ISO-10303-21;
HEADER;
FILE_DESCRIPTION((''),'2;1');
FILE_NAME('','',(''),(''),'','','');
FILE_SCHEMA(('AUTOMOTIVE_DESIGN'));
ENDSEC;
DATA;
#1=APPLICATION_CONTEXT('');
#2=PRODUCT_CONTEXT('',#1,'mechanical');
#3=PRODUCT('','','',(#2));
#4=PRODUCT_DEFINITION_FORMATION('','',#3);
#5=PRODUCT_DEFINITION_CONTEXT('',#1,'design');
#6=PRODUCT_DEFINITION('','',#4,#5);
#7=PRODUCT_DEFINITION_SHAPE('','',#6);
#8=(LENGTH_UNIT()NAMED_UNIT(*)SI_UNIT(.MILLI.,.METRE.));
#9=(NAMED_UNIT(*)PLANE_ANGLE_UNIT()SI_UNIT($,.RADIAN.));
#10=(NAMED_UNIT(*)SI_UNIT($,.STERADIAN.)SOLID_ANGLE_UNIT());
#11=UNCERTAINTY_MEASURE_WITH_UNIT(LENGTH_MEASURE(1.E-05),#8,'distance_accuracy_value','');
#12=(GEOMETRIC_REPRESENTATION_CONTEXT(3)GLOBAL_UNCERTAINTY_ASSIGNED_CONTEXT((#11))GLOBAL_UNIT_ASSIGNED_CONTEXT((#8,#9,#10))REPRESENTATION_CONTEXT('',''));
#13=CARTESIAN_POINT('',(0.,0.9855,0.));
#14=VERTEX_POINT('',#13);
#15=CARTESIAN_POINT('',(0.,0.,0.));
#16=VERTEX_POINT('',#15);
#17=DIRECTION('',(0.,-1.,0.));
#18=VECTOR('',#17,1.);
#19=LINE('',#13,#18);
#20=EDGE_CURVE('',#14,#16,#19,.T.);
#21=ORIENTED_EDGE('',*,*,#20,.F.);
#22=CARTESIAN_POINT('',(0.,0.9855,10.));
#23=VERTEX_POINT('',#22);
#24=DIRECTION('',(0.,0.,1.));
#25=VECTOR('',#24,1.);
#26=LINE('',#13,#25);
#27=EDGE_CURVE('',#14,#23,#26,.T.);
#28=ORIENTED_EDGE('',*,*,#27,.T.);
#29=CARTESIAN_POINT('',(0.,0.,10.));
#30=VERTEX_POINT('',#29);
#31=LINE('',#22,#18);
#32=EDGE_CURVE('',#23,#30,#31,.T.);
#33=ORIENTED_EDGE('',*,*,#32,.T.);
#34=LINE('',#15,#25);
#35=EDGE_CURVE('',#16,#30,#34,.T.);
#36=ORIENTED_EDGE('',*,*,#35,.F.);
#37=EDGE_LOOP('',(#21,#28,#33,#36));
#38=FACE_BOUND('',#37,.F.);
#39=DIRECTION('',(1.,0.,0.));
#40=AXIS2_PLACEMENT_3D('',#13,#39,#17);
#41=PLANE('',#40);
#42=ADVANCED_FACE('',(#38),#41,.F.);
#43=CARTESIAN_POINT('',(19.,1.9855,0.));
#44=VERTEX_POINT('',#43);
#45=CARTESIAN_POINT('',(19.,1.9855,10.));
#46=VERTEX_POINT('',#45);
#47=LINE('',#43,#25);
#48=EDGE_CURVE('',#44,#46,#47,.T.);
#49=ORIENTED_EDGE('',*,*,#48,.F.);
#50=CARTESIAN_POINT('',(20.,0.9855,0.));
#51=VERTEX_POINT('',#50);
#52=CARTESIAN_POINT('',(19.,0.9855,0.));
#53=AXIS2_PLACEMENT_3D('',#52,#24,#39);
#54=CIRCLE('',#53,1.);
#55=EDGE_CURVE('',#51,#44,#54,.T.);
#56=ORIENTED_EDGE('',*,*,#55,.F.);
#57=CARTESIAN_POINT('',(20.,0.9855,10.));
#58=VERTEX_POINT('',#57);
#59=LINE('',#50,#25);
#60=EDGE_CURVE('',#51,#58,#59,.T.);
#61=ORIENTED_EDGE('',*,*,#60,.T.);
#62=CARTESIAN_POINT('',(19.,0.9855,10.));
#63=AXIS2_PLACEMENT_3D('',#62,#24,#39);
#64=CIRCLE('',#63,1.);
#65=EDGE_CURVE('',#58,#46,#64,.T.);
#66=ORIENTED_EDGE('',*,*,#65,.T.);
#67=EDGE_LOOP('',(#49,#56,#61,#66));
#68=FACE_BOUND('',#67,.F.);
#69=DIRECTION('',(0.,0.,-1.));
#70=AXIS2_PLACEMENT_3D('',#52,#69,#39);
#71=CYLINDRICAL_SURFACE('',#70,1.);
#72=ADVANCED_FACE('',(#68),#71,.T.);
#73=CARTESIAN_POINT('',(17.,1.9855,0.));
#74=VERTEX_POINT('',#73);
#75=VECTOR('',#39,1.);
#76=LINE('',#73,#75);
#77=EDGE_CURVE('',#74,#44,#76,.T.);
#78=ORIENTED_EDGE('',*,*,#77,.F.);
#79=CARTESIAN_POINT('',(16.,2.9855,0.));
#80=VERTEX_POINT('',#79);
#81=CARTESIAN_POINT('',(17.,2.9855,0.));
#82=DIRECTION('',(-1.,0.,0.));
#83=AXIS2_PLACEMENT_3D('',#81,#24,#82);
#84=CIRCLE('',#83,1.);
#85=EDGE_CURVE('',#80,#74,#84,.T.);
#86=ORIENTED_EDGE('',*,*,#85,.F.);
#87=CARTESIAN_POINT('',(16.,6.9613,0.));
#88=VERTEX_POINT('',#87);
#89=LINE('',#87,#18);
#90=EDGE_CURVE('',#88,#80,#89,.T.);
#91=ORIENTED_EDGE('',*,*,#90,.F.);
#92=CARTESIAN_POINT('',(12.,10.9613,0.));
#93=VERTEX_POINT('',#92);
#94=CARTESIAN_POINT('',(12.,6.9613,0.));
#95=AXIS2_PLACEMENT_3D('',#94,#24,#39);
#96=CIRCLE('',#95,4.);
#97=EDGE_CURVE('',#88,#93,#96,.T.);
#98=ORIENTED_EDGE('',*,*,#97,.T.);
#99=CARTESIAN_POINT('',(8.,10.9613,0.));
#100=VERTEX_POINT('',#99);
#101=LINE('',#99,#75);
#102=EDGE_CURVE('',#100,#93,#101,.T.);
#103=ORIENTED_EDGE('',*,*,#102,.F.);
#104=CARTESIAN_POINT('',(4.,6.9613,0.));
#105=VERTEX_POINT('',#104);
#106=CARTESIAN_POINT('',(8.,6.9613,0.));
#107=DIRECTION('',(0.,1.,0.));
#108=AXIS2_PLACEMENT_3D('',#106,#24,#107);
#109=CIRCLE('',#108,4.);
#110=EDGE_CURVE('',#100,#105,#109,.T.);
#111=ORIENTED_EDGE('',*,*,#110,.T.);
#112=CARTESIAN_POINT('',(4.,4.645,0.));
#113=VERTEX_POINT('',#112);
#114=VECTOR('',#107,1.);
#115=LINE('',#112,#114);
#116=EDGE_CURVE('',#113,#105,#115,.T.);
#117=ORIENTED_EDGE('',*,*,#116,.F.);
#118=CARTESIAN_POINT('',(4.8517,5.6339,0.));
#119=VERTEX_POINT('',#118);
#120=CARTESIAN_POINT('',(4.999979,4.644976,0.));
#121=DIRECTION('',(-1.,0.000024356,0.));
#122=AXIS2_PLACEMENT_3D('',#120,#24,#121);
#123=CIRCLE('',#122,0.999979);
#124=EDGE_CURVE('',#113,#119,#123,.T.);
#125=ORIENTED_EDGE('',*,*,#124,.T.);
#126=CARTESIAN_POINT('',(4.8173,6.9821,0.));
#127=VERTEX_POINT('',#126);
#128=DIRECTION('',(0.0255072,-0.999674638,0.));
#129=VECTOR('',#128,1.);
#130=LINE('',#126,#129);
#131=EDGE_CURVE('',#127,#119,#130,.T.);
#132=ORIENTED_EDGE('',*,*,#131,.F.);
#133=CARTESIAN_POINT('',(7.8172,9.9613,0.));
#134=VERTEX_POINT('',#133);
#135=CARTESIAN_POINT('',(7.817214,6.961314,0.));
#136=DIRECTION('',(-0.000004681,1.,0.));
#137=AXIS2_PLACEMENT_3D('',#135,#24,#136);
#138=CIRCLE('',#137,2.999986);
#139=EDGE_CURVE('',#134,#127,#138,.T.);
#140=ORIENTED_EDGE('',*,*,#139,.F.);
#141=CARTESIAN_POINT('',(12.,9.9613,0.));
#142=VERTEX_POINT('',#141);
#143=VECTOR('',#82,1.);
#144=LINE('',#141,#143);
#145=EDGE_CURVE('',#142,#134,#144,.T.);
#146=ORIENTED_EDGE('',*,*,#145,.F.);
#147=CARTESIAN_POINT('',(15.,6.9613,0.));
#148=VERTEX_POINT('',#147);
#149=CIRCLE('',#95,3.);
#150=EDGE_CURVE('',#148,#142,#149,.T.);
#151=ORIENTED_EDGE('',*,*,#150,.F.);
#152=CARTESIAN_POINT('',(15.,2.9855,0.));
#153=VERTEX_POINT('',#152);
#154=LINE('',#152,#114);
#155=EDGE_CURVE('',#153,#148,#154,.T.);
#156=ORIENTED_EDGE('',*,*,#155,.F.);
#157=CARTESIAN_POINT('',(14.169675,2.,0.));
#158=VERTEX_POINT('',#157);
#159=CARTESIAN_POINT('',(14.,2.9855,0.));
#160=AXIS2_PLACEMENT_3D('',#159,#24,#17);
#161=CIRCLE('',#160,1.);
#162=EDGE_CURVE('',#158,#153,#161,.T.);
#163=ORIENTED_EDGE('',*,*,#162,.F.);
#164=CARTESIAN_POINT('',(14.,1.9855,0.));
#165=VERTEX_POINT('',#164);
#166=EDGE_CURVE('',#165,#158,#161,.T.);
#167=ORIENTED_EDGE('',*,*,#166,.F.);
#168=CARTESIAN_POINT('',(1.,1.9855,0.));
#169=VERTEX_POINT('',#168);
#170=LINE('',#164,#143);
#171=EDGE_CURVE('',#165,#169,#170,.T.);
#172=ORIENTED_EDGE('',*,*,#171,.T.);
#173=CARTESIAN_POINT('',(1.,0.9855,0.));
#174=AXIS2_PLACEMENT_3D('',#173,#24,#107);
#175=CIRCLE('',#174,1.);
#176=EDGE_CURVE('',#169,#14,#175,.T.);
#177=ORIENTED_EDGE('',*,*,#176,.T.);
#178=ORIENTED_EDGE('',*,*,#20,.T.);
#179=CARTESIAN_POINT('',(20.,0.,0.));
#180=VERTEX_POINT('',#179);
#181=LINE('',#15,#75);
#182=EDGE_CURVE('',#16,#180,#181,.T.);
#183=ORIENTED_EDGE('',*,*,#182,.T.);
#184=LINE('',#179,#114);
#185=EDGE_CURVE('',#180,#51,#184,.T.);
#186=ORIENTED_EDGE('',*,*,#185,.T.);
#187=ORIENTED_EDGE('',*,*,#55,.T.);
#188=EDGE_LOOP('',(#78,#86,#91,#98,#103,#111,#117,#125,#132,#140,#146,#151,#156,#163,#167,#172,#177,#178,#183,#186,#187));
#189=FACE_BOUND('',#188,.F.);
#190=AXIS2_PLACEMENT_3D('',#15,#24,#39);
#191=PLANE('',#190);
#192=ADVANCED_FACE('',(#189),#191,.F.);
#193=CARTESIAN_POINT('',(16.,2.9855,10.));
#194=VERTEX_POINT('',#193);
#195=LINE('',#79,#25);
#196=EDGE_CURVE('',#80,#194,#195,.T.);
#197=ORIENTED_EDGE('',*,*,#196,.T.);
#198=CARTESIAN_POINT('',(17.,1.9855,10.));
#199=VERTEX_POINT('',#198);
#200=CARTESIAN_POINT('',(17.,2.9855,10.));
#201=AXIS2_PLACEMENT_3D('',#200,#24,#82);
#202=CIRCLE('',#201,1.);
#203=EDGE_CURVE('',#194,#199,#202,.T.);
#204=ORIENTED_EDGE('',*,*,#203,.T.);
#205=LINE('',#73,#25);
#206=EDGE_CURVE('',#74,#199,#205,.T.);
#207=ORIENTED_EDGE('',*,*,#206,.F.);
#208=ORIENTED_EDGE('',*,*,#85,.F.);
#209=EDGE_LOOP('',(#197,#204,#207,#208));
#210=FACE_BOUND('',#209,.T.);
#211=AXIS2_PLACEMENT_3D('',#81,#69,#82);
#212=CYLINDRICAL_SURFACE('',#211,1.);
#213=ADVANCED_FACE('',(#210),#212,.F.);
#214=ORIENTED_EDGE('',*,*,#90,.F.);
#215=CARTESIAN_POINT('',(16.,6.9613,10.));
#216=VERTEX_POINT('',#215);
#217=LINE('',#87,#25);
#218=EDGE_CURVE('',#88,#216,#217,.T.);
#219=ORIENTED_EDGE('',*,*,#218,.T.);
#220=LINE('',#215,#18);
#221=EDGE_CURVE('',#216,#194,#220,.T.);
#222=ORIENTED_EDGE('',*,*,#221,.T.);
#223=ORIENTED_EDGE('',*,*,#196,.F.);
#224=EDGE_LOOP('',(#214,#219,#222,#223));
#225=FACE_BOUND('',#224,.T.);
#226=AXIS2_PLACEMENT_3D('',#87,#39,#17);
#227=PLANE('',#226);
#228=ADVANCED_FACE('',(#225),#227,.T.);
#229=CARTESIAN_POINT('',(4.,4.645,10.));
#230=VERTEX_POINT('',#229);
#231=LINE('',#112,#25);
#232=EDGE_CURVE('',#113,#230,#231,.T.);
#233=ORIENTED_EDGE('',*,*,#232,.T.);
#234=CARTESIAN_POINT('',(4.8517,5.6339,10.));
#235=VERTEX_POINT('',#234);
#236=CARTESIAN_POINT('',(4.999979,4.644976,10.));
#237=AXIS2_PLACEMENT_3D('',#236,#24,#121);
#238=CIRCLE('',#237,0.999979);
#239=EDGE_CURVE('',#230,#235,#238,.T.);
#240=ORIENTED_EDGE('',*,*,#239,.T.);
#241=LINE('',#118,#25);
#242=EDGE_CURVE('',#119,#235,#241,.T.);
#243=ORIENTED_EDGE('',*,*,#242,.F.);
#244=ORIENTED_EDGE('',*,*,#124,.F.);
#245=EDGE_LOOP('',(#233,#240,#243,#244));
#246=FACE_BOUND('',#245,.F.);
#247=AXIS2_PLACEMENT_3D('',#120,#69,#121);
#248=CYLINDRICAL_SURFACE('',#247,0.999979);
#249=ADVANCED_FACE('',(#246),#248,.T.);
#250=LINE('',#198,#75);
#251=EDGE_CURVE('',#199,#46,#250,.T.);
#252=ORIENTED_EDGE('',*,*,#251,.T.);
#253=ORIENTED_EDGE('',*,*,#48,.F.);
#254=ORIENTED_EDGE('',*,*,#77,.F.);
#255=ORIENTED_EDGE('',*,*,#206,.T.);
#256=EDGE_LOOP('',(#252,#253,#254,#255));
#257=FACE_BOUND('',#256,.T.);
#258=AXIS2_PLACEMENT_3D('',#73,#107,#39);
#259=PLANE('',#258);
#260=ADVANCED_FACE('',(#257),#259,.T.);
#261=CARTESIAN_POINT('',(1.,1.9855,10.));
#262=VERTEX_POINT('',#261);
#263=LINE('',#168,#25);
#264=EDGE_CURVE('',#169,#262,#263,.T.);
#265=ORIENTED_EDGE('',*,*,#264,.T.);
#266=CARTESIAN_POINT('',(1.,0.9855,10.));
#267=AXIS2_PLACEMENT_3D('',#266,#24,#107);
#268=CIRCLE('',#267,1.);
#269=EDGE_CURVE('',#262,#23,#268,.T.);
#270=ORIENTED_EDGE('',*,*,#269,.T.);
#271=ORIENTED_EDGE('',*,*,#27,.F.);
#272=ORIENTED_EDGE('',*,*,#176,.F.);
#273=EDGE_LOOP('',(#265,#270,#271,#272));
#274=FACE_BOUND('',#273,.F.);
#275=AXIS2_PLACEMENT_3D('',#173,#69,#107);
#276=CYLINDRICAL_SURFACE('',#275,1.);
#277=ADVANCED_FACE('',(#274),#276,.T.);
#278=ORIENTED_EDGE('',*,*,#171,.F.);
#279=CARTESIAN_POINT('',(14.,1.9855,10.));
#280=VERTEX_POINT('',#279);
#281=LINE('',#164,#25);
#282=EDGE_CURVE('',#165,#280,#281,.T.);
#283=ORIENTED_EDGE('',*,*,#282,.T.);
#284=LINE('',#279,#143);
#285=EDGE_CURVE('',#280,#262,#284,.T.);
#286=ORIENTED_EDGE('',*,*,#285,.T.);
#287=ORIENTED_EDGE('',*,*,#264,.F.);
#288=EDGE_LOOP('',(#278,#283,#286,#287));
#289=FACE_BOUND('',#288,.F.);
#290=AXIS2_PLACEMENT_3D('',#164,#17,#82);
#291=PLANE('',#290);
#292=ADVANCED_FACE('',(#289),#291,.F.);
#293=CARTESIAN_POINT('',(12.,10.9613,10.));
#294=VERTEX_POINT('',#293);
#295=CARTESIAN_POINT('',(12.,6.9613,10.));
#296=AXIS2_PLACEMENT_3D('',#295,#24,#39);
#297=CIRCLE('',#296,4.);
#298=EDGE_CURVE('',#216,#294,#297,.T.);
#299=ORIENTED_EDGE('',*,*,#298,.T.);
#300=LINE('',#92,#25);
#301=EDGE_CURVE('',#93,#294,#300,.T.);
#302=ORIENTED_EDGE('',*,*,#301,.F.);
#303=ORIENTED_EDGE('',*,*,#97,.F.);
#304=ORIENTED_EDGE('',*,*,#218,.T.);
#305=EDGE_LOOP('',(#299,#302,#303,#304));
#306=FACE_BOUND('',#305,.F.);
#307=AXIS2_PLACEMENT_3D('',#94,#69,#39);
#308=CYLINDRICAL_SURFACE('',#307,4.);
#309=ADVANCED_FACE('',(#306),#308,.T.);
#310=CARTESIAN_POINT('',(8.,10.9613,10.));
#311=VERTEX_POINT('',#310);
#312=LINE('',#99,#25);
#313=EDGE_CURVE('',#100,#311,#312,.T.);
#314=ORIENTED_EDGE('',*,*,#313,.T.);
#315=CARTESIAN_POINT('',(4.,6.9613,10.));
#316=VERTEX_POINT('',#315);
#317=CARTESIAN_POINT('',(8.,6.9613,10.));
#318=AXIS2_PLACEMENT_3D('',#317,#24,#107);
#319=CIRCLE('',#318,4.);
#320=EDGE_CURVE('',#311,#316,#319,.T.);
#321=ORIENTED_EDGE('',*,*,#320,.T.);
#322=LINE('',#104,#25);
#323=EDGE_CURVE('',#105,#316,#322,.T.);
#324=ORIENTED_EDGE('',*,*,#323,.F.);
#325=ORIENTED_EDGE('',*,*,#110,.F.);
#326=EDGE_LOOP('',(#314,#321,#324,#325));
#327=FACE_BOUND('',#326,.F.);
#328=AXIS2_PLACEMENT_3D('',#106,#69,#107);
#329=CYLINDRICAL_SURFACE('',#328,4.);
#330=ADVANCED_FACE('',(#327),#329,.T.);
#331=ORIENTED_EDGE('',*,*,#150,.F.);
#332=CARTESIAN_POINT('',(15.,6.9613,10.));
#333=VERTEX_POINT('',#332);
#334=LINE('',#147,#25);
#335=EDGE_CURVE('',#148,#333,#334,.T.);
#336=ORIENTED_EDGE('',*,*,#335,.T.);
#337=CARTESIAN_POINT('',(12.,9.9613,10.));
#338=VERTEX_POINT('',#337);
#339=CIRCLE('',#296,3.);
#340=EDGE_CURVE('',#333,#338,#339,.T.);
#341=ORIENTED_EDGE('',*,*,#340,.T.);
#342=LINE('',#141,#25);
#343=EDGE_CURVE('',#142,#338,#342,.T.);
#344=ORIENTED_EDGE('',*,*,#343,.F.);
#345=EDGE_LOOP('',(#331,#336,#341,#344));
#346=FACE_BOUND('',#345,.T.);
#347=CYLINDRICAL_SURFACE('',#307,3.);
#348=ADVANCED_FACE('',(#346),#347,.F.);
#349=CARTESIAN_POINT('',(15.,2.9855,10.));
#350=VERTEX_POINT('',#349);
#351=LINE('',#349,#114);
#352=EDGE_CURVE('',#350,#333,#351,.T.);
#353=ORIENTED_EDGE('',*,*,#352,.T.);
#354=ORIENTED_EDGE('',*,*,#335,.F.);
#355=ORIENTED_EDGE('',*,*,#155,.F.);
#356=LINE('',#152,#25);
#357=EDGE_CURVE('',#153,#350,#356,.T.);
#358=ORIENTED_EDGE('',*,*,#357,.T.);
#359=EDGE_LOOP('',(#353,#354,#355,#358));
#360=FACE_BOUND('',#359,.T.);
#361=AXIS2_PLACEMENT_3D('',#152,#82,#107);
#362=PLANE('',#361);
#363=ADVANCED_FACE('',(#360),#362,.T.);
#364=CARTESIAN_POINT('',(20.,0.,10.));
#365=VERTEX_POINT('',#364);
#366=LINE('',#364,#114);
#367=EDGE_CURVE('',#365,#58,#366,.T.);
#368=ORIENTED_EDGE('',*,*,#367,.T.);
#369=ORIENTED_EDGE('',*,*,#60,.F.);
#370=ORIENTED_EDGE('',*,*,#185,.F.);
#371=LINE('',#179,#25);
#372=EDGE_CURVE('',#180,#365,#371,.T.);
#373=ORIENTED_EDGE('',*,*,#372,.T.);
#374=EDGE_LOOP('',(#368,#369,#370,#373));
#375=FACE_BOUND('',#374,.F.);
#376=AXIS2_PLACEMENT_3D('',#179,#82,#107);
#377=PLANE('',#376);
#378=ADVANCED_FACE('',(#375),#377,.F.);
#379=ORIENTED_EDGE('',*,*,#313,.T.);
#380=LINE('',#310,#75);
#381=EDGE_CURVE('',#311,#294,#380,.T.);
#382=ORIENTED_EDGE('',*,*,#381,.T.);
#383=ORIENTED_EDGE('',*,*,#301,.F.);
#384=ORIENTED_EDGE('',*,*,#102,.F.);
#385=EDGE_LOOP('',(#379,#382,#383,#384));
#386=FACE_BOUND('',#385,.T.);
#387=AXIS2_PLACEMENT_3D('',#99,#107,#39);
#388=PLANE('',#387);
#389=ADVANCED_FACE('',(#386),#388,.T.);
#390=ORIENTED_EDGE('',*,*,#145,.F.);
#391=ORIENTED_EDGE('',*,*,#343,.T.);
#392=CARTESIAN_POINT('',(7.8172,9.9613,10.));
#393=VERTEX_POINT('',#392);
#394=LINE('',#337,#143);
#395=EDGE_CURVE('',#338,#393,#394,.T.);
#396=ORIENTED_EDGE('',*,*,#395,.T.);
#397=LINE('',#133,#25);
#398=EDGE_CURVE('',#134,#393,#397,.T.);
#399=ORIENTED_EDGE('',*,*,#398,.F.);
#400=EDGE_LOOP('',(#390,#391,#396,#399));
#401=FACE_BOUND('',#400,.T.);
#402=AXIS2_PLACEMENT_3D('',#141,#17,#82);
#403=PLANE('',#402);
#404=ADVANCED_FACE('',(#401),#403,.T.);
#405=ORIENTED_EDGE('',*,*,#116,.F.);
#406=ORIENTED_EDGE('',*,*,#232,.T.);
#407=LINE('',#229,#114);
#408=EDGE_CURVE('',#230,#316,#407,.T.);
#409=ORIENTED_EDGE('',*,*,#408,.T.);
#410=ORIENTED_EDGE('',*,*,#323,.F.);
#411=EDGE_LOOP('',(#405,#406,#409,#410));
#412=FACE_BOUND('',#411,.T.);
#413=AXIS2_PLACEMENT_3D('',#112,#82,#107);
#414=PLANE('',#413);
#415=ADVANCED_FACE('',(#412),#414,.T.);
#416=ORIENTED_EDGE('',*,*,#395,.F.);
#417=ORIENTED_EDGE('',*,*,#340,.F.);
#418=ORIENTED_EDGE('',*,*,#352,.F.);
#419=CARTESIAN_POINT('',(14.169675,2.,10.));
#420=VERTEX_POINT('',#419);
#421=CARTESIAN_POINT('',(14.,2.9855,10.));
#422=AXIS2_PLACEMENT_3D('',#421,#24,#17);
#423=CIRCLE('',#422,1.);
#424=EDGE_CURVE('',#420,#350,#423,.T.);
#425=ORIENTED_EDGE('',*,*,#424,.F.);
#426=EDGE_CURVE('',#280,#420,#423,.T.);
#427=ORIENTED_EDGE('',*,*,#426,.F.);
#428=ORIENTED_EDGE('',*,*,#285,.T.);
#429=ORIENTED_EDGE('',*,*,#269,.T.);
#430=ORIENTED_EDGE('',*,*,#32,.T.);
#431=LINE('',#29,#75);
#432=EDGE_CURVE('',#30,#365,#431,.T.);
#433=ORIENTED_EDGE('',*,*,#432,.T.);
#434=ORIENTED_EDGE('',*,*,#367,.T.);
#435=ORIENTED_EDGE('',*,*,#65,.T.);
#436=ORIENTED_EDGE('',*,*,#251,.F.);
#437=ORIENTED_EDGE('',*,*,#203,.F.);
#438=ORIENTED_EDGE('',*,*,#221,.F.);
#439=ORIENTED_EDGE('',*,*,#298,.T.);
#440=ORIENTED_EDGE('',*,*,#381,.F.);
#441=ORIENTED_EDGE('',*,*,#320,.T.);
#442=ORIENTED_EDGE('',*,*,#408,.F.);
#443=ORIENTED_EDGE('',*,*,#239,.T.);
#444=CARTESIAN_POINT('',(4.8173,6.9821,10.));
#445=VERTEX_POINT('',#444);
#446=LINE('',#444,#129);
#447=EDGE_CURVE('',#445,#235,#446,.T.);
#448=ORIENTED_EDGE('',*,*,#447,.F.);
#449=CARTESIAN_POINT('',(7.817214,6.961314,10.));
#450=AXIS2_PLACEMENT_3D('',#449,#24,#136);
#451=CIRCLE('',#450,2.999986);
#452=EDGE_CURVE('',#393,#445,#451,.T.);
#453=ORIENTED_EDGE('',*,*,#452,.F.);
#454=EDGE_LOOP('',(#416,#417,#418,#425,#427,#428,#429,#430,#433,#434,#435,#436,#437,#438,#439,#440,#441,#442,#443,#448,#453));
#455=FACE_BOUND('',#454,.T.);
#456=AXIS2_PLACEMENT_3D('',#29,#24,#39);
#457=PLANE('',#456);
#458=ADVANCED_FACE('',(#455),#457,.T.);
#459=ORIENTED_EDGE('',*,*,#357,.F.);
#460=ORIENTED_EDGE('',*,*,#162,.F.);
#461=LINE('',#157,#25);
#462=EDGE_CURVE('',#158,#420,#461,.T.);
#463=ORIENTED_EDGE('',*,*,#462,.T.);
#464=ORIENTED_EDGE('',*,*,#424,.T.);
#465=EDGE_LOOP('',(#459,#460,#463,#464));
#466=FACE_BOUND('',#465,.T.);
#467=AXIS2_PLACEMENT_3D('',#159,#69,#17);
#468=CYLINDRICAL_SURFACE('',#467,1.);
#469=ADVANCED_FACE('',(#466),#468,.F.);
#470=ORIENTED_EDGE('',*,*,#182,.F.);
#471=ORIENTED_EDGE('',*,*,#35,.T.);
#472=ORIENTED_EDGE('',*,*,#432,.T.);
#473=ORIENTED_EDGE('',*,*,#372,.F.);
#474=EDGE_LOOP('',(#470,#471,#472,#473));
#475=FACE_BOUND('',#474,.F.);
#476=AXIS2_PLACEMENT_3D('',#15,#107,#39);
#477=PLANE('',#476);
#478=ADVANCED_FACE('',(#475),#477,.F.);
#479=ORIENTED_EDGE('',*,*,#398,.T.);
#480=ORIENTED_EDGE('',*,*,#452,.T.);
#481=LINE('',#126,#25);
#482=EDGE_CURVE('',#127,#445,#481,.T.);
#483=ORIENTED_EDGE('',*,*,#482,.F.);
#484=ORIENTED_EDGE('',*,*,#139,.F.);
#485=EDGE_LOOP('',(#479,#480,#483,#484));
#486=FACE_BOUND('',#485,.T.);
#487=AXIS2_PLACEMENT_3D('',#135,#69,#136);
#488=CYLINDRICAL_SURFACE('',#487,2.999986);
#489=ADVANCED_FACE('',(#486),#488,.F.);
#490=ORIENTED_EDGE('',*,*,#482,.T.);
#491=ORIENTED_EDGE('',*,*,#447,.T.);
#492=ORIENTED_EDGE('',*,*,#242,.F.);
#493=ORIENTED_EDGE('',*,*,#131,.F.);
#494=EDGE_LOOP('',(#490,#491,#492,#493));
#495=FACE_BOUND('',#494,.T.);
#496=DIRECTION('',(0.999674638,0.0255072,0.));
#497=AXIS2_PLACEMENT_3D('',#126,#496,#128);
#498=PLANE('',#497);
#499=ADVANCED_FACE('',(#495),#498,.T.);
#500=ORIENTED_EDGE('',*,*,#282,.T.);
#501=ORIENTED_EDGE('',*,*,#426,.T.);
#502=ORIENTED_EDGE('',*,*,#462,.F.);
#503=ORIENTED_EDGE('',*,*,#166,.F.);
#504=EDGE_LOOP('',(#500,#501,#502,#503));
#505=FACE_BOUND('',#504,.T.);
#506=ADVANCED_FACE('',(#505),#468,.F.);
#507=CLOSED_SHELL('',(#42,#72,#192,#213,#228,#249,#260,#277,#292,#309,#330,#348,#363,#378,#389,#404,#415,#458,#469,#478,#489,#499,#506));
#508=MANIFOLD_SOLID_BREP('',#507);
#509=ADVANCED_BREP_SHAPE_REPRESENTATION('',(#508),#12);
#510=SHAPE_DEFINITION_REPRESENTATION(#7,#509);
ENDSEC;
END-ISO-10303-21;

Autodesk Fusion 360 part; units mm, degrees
sketch "Sketch1" plane through (0, 0, 0) normal (0, 0, 1) x (1, 0, 0)
  line L0 (4, 4.645) -> (4, 6.9613)
  line L1 (8, 10.9613) -> (12, 10.9613)
  line L2 (16, 6.9613) -> (16, 2.9855)
  line L3 (13, 2) -> (15, 2)
  line L4 (15, 2.9855) -> (15, 6.9613)
  line L5 (12, 9.9613) -> (7.8172, 9.9613)
  line L6 (17, 1.9855) -> (19, 1.9855)
  arc A0 (16, 2.9855) -> (17, 1.9855) centre (17, 2.9855) ccw
  line L7 (14, 1.9855) -> (1, 1.9855)
  arc A1 (14, 1.9855) -> (15, 2.9855) centre (14, 2.9855) ccw
  line L8 (0, 0.9855) -> (0, 0)
  line L9 (0, 0) -> (20, 0)
  line L10 (20, 0) -> (20, 0.9855)
  arc A2 (1, 1.9855) -> (0, 0.9855) centre (1, 0.9855) ccw
  arc A3 (20, 0.9855) -> (19, 1.9855) centre (19, 0.9855) ccw
  arc A4 (4, 4.645) -> (4.8517, 5.6339) centre (5, 4.645) ccw
  arc A5 (8, 10.9613) -> (4, 6.9613) centre (8, 6.9613) ccw
  arc A6 (16, 6.9613) -> (12, 10.9613) centre (12, 6.9613) ccw
  arc A7 (7.8172, 9.9613) -> (4.8173, 6.9821) centre (7.8172, 6.9613) ccw
  arc A8 (15, 6.9613) -> (12, 9.9613) centre (12, 6.9613) ccw
  line L11 (4.8173, 6.9821) -> (4.8517, 5.6339)
  dimension "d5" = 1
  dimension "d6" = 1
  dimension "d9" = 1
  dimension "d10" = 1
  dimension "d12" = 1
  dimension "d13" = 1
  dimension "d14" = 4
  dimension "d15" = 4
  dimension "d16" = 20
  dimension "d21" = 1
  dimension "d23" = 4
  dimension "d24" = 4
  dimension "d25" = 3
  dimension "d26" = 3
extrude "Extrude1" add sketch "Sketch1" along normal blind 10
